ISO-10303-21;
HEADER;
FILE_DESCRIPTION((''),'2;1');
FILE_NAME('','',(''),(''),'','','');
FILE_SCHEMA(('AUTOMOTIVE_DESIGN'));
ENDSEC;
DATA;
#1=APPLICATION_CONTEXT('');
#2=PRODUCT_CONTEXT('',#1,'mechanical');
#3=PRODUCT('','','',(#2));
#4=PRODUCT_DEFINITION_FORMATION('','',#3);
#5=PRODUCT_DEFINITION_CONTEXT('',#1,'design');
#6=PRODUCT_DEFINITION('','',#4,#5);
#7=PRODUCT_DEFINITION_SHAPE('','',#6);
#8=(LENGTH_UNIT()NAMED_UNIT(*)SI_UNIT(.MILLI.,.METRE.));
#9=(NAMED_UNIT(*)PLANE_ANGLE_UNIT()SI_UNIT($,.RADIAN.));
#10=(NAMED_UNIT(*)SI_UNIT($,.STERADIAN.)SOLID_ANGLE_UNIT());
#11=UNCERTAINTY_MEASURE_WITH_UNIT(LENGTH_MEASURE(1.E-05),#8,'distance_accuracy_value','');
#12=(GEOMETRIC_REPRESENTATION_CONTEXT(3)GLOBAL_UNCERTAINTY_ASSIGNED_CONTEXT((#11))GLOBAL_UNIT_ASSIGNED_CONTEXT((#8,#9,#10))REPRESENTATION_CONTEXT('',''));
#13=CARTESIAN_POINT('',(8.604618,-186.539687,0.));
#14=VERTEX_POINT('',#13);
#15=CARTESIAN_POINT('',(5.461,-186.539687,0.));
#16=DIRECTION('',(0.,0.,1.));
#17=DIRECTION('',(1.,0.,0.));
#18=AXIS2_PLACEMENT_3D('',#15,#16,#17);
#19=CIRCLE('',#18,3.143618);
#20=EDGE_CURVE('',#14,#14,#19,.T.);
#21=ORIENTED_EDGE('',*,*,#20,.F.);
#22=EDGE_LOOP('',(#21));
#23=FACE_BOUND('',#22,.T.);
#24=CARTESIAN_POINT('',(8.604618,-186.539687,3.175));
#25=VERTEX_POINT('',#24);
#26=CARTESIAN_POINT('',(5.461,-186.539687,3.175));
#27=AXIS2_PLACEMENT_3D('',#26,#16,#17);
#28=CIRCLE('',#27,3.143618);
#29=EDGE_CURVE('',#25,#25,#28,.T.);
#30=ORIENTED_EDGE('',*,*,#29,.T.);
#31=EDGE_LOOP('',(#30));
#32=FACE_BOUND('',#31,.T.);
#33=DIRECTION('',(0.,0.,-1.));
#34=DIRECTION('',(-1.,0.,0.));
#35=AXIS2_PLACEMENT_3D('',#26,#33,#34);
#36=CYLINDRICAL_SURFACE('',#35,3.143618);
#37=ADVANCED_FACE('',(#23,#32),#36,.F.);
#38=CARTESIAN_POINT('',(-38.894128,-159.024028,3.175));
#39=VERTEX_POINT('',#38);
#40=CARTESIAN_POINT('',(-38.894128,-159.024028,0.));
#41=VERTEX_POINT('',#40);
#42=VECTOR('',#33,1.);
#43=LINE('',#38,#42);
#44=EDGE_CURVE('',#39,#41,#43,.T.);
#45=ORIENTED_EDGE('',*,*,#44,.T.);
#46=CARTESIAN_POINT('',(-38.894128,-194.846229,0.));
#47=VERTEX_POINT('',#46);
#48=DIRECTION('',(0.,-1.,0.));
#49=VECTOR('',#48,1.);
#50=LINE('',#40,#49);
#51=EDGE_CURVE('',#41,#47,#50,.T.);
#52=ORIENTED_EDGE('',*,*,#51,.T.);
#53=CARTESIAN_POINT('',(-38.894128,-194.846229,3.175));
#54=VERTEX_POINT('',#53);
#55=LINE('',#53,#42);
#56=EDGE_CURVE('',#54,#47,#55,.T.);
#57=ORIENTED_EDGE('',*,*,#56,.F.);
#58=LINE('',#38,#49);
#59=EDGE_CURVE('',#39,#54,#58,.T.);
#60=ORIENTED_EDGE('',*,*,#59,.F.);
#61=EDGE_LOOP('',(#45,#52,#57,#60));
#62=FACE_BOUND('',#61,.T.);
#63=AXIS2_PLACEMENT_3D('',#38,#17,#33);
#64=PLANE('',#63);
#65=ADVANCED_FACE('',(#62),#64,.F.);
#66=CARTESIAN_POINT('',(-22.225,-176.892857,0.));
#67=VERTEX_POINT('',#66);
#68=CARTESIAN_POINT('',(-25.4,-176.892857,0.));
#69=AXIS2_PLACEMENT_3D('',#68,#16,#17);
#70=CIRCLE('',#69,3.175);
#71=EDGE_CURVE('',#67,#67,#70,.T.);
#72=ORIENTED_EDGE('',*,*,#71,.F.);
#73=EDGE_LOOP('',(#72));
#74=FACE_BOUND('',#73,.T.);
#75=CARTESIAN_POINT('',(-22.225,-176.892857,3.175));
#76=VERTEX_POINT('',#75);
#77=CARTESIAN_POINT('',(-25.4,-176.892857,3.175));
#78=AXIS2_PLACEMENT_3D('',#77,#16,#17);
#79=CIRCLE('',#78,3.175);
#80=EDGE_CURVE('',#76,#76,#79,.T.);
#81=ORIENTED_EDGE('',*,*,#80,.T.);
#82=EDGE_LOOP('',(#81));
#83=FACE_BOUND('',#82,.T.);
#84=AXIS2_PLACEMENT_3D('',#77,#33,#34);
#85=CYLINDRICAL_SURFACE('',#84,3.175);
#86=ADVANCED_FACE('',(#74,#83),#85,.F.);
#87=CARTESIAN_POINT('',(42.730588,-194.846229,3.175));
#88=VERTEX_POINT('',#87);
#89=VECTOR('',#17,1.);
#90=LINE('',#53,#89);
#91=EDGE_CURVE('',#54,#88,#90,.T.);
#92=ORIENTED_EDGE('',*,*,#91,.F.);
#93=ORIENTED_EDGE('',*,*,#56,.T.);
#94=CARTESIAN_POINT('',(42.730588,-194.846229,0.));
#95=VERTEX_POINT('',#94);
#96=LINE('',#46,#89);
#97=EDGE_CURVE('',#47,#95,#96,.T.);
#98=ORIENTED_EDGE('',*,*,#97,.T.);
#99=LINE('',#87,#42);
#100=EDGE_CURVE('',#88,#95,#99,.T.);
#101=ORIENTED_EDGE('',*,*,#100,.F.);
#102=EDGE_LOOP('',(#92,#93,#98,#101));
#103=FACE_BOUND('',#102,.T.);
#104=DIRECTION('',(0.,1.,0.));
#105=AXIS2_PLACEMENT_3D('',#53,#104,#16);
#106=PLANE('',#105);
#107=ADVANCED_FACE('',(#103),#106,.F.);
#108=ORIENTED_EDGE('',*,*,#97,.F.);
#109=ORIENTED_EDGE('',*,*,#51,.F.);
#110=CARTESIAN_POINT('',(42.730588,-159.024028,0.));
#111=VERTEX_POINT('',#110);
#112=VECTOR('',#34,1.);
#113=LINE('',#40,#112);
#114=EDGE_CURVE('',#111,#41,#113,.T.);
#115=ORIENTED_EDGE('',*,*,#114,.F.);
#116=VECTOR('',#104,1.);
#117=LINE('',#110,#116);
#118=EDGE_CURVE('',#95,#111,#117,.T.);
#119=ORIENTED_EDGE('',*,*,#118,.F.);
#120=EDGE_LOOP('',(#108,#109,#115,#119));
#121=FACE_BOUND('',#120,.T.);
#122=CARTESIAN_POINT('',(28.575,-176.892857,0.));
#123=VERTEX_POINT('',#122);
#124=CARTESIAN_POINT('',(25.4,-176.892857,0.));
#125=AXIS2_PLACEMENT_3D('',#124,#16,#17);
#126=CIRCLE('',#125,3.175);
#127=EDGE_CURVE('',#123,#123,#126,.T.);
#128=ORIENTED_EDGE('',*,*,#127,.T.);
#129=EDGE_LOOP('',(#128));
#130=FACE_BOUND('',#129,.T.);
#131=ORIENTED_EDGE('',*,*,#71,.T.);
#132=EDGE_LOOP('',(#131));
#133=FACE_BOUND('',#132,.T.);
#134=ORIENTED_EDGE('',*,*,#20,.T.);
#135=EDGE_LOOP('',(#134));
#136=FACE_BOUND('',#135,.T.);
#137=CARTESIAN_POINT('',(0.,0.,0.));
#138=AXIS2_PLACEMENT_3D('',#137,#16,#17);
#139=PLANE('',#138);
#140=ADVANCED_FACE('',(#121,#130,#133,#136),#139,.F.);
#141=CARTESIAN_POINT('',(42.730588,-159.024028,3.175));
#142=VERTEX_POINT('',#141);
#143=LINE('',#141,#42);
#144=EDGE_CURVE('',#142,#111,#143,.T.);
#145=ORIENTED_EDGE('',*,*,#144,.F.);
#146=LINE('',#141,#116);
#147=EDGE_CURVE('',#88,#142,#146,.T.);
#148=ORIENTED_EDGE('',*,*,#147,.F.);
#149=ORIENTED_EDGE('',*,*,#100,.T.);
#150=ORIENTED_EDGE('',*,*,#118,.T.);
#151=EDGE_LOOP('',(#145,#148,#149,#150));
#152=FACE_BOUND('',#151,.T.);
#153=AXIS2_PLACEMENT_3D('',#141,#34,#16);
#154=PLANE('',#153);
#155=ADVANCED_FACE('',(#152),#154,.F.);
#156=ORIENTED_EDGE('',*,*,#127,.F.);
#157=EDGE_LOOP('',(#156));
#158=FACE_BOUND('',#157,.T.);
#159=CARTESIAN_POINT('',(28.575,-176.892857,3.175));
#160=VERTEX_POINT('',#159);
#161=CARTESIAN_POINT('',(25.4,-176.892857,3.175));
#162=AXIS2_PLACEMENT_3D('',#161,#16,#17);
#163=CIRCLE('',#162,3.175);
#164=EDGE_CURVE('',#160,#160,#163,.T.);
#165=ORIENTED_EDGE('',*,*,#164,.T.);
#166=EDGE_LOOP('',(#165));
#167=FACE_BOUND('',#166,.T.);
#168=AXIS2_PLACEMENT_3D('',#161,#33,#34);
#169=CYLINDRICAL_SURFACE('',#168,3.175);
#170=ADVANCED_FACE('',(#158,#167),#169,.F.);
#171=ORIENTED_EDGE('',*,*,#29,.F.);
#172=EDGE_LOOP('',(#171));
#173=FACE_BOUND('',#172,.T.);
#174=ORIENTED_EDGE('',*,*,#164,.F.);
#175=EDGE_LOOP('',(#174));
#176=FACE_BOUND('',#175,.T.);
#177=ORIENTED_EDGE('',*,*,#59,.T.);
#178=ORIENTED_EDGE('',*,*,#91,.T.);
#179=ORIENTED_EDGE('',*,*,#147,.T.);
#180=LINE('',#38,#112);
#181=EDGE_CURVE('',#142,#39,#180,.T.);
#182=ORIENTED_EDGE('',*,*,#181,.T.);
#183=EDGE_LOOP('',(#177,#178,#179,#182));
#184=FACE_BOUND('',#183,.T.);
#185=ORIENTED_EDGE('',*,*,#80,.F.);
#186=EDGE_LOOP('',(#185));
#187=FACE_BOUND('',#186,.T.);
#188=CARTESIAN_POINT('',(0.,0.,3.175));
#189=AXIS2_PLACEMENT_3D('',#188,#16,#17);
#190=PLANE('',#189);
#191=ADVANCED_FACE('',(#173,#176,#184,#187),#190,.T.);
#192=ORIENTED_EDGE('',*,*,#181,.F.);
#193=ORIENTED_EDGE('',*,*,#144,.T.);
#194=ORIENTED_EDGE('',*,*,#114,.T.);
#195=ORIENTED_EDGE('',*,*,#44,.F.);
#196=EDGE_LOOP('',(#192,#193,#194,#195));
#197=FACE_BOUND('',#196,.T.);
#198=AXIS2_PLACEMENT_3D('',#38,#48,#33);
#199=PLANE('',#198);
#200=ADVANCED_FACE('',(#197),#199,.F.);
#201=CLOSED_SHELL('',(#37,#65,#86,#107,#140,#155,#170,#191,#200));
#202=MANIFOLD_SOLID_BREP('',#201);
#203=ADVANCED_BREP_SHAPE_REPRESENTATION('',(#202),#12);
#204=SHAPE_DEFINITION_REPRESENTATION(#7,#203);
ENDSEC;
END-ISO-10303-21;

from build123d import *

# Parameters (mm, degrees)
SKETCH1_W           = 81.624716177
SKETCH1_H           = 35.822200768
SKETCH1_R           = 3.175
SKETCH1_R_2         = 3.143617789
BOSS_EXTRUDE1_DEPTH = 3.175


with BuildPart() as part:
    # Sketch1 → Boss-Extrude1 (new body)
    with BuildSketch(Plane.XY):
        with Locations((1.918230209, -176.935128554)):
            Rectangle(SKETCH1_W, SKETCH1_H)
        with Locations((-25.4, -176.892857143)):
            Circle(SKETCH1_R, mode=Mode.SUBTRACT)
        with Locations((25.4, -176.892857143)):
            Circle(SKETCH1_R, mode=Mode.SUBTRACT)
        with Locations((5.461, -186.53968721)):
            Circle(SKETCH1_R_2, mode=Mode.SUBTRACT)
    extrude(amount=BOSS_EXTRUDE1_DEPTH)


solid = part.part
